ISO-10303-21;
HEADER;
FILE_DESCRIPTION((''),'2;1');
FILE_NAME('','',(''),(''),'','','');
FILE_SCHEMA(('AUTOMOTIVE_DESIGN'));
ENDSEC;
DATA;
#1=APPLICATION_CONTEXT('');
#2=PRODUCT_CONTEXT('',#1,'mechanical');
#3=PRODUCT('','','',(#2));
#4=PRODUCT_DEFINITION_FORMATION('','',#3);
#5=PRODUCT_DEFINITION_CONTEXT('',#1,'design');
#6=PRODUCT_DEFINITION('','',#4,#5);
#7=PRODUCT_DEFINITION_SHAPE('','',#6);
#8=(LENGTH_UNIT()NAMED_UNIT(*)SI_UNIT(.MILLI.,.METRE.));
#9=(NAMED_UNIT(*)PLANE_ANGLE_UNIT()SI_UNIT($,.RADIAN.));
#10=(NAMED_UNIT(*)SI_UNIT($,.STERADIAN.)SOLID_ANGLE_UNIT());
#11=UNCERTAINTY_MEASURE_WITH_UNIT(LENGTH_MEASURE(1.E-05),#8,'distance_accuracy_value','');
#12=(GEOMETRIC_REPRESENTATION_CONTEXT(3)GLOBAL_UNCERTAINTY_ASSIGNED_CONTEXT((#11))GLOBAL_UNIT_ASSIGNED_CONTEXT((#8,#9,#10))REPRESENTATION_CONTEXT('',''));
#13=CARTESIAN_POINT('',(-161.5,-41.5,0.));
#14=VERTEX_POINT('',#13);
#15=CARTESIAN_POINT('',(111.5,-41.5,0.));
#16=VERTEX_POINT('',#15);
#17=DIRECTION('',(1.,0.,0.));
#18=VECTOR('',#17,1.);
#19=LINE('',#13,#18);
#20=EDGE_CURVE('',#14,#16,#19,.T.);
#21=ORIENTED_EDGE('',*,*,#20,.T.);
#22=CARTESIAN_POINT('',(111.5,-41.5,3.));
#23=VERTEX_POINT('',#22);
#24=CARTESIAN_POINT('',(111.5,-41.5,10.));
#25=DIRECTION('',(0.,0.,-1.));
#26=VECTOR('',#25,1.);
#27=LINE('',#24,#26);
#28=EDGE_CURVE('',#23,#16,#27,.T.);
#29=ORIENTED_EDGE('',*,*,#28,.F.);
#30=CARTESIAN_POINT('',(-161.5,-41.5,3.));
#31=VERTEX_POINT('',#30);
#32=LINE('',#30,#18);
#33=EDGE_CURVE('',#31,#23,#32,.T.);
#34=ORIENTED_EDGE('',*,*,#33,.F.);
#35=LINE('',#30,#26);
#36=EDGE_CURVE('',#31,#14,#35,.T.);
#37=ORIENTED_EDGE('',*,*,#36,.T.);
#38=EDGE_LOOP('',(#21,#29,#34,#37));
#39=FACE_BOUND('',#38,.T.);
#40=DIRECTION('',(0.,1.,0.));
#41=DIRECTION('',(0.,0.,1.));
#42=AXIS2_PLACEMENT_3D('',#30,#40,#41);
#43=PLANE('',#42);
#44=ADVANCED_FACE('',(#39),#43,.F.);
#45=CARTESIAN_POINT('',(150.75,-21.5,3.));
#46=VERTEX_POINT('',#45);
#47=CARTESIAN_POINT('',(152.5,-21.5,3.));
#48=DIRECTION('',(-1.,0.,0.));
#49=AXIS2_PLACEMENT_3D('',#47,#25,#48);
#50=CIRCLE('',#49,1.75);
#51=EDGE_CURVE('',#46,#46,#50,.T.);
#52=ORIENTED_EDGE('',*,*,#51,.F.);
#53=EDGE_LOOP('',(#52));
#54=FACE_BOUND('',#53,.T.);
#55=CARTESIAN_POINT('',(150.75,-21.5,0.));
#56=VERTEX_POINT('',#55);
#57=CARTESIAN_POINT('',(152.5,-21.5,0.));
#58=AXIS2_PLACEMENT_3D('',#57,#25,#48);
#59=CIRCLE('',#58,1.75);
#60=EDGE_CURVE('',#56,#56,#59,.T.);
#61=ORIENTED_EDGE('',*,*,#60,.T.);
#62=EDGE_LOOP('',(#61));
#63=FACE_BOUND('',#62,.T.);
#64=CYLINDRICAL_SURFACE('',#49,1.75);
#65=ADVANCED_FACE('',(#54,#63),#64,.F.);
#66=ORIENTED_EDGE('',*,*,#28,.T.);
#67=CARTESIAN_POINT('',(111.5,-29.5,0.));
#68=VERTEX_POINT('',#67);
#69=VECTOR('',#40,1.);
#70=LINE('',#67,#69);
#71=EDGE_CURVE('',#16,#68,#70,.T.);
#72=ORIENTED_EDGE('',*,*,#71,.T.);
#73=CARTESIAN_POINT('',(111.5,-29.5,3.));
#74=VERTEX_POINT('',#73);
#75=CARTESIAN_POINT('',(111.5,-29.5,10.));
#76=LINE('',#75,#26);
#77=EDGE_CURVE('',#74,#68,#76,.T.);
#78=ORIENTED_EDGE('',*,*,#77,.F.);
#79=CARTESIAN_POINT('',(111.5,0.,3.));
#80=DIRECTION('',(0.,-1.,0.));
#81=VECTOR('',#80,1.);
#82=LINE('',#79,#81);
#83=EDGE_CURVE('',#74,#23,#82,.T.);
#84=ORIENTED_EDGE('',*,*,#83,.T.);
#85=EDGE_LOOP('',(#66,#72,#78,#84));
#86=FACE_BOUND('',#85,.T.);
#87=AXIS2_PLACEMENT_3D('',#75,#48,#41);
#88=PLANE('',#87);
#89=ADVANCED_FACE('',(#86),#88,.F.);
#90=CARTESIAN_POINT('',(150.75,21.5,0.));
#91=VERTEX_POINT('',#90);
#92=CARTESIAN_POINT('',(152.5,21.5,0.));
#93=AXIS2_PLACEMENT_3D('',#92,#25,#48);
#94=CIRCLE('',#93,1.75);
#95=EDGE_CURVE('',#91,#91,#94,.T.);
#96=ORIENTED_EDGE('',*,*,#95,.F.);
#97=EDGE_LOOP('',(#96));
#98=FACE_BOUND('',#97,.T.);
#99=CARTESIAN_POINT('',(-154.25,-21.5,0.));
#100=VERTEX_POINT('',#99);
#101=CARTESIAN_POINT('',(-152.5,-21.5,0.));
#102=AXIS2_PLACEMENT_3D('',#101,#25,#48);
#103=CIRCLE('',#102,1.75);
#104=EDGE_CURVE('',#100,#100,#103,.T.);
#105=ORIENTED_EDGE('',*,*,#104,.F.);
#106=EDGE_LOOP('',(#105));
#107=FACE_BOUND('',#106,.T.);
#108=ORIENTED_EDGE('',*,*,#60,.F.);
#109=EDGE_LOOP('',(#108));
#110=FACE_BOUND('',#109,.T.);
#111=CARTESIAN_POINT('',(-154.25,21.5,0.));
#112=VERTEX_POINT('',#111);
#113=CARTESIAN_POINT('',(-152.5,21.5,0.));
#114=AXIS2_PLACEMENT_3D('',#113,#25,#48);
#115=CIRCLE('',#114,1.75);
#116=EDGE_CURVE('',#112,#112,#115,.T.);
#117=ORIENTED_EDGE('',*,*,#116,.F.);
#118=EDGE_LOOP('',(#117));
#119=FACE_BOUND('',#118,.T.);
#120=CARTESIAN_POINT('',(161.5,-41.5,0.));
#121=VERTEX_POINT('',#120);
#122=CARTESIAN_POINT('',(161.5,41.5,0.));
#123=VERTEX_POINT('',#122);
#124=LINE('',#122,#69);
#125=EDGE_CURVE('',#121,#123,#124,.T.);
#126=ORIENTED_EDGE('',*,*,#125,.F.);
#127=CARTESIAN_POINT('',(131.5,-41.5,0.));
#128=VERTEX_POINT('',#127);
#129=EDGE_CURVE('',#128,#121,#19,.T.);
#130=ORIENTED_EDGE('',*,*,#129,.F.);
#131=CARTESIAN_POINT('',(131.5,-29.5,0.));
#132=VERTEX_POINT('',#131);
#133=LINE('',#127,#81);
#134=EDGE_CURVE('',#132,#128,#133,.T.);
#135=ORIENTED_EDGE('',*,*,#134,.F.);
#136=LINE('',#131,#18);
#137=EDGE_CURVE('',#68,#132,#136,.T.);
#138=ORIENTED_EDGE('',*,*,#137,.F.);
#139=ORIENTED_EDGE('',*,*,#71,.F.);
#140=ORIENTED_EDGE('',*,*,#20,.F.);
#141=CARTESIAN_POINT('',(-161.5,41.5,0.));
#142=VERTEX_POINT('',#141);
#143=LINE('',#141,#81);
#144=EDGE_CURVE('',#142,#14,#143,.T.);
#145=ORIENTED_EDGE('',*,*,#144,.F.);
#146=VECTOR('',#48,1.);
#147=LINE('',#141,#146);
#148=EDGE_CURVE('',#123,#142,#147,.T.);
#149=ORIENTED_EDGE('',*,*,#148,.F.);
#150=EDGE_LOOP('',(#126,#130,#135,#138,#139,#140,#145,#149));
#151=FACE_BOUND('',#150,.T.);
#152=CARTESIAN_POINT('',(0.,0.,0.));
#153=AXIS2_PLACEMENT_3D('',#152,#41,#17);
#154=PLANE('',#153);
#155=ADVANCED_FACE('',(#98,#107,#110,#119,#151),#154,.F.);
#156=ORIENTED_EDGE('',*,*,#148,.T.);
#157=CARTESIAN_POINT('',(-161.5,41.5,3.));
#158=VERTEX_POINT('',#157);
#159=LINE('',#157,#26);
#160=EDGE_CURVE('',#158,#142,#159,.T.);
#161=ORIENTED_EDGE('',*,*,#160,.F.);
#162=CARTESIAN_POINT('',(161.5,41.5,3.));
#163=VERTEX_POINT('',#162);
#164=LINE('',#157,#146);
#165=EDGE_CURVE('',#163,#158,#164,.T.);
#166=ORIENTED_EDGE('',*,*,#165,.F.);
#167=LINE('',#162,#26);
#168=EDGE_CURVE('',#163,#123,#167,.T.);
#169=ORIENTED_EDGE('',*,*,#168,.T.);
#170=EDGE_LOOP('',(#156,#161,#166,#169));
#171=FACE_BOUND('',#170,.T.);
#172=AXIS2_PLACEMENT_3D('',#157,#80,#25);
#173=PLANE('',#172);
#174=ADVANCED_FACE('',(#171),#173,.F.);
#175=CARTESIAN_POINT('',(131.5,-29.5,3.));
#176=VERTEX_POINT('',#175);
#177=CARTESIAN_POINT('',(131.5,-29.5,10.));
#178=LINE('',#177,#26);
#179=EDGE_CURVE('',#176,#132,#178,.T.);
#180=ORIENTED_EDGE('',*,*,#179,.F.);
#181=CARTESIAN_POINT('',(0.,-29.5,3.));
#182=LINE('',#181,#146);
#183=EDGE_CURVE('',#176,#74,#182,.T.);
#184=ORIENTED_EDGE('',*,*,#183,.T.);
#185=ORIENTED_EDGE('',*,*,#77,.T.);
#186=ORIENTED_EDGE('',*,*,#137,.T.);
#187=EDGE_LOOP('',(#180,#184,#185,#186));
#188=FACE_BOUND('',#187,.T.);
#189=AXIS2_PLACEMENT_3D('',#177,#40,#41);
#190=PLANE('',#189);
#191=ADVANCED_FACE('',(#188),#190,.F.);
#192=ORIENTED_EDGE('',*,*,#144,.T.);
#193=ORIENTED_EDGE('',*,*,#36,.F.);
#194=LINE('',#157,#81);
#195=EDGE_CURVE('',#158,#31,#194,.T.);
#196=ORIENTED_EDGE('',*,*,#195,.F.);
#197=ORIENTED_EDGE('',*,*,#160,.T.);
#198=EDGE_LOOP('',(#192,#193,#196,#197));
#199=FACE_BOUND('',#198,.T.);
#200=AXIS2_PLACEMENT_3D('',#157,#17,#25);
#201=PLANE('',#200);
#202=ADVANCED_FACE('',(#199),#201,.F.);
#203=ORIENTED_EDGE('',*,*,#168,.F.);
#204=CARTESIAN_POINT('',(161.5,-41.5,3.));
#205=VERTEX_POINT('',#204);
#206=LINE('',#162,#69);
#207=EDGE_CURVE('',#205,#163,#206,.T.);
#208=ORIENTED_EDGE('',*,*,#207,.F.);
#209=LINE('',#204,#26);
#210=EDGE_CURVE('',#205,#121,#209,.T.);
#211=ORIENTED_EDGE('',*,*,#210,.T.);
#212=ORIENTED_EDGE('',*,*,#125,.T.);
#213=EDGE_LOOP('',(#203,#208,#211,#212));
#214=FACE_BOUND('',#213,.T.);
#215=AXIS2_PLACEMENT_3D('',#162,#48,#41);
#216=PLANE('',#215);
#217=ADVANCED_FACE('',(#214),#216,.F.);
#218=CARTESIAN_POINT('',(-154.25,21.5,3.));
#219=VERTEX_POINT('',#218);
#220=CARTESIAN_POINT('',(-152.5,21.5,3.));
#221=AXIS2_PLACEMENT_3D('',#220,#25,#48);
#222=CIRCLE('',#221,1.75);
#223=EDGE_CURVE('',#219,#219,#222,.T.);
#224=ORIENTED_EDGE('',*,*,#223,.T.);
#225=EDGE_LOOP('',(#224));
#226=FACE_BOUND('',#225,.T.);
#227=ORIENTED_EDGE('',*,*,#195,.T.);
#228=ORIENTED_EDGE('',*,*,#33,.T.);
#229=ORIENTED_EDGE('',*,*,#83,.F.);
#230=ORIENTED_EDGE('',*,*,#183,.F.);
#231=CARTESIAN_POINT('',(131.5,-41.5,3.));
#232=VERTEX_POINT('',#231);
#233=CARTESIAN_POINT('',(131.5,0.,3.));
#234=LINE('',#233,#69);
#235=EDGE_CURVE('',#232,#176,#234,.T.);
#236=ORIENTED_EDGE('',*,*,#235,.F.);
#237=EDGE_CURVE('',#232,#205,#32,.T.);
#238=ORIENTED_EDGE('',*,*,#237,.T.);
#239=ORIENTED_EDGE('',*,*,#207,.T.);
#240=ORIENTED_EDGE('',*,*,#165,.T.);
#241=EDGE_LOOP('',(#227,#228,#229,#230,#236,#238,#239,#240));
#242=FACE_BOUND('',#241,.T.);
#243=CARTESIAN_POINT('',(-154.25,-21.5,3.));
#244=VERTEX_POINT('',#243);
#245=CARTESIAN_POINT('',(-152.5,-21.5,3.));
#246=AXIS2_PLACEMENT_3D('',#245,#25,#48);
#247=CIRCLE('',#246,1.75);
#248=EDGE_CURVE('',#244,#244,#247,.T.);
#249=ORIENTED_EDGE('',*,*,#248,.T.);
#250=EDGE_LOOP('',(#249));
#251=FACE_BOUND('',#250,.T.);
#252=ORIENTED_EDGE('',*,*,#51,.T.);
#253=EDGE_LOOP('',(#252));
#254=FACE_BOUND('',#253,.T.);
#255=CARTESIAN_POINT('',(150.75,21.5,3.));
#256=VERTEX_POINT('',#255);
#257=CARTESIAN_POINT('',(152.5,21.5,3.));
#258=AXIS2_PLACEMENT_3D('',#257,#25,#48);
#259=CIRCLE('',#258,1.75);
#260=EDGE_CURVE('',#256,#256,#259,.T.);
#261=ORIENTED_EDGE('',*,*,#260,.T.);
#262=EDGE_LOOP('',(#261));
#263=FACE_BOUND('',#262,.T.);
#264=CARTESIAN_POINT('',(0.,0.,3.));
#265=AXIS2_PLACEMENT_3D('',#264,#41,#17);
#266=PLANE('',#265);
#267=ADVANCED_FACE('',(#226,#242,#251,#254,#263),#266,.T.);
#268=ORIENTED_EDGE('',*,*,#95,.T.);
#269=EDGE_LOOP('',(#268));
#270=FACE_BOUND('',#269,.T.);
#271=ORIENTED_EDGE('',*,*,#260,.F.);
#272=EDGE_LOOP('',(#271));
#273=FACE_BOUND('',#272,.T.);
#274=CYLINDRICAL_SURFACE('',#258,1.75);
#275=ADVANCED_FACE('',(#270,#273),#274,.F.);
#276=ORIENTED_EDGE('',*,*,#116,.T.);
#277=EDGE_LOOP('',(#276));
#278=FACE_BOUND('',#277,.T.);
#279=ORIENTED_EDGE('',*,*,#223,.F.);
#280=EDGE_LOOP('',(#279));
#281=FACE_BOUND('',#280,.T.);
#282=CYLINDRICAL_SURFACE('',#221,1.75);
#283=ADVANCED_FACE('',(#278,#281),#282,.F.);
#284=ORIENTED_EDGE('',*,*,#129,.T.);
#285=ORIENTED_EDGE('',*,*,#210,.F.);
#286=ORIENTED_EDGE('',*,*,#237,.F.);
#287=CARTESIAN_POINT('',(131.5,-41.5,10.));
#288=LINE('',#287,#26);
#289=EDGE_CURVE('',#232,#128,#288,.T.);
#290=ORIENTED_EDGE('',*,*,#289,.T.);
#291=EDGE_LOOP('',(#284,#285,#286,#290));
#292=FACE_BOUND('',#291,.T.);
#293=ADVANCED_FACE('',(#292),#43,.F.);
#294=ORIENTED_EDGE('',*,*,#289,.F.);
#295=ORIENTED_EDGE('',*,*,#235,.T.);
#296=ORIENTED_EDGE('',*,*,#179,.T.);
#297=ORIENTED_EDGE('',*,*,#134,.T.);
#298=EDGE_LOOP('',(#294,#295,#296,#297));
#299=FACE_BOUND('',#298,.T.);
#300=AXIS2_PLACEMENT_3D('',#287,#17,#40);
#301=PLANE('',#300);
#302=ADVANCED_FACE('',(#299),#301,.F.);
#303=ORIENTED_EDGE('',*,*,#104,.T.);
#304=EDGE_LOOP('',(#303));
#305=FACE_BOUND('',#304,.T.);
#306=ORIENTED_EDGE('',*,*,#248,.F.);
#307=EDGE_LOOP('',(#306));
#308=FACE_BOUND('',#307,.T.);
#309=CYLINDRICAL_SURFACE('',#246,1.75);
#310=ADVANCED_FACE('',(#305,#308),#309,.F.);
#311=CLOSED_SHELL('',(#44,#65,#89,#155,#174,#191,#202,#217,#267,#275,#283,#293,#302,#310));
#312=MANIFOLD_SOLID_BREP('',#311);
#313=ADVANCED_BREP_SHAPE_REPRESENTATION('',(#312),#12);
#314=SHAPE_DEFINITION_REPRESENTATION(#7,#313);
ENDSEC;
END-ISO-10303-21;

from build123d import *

# Parameters (mm, degrees)
SKETCH1_W           = 323
SKETCH1_H           = 83
BOSS_EXTRUDE1_DEPTH = 3
SKETCH2_W           = 20
SKETCH2_H           = 12
CUT_EXTRUDE1_DEPTH  = 10
SKETCH4_R           = 1.75
CUT_EXTRUDE2_DEPTH  = 4


with BuildPart() as part:
    # Sketch1 → Boss-Extrude1 (new body)
    with BuildSketch(Plane.XY):
        Rectangle(SKETCH1_W, SKETCH1_H)
    extrude(amount=BOSS_EXTRUDE1_DEPTH)

    # Sketch2 → Cut-Extrude1 (cut)
    with BuildSketch(Plane(origin=(0, 0, 0), x_dir=(-1, 0, 0), z_dir=(0, 0, -1))):
        with Locations((-121.5, -35.5)):
            Rectangle(SKETCH2_W, SKETCH2_H)
    extrude(amount=-CUT_EXTRUDE1_DEPTH, mode=Mode.SUBTRACT)

    # Sketch4 → Cut-Extrude2 (cut, through all)
    with BuildSketch(Plane(origin=(0, 0, 0), x_dir=(-1, 0, 0), z_dir=(0, 0, -1))):
        with Locations((152.5, -21.5)):
            Circle(SKETCH4_R)
        with Locations((-152.5, -21.5)):
            Circle(SKETCH4_R)
        with Locations((152.5, 21.5)):
            Circle(SKETCH4_R)
        with Locations((-152.5, 21.5)):
            Circle(SKETCH4_R)
    extrude(amount=-CUT_EXTRUDE2_DEPTH, mode=Mode.SUBTRACT)


solid = part.part
